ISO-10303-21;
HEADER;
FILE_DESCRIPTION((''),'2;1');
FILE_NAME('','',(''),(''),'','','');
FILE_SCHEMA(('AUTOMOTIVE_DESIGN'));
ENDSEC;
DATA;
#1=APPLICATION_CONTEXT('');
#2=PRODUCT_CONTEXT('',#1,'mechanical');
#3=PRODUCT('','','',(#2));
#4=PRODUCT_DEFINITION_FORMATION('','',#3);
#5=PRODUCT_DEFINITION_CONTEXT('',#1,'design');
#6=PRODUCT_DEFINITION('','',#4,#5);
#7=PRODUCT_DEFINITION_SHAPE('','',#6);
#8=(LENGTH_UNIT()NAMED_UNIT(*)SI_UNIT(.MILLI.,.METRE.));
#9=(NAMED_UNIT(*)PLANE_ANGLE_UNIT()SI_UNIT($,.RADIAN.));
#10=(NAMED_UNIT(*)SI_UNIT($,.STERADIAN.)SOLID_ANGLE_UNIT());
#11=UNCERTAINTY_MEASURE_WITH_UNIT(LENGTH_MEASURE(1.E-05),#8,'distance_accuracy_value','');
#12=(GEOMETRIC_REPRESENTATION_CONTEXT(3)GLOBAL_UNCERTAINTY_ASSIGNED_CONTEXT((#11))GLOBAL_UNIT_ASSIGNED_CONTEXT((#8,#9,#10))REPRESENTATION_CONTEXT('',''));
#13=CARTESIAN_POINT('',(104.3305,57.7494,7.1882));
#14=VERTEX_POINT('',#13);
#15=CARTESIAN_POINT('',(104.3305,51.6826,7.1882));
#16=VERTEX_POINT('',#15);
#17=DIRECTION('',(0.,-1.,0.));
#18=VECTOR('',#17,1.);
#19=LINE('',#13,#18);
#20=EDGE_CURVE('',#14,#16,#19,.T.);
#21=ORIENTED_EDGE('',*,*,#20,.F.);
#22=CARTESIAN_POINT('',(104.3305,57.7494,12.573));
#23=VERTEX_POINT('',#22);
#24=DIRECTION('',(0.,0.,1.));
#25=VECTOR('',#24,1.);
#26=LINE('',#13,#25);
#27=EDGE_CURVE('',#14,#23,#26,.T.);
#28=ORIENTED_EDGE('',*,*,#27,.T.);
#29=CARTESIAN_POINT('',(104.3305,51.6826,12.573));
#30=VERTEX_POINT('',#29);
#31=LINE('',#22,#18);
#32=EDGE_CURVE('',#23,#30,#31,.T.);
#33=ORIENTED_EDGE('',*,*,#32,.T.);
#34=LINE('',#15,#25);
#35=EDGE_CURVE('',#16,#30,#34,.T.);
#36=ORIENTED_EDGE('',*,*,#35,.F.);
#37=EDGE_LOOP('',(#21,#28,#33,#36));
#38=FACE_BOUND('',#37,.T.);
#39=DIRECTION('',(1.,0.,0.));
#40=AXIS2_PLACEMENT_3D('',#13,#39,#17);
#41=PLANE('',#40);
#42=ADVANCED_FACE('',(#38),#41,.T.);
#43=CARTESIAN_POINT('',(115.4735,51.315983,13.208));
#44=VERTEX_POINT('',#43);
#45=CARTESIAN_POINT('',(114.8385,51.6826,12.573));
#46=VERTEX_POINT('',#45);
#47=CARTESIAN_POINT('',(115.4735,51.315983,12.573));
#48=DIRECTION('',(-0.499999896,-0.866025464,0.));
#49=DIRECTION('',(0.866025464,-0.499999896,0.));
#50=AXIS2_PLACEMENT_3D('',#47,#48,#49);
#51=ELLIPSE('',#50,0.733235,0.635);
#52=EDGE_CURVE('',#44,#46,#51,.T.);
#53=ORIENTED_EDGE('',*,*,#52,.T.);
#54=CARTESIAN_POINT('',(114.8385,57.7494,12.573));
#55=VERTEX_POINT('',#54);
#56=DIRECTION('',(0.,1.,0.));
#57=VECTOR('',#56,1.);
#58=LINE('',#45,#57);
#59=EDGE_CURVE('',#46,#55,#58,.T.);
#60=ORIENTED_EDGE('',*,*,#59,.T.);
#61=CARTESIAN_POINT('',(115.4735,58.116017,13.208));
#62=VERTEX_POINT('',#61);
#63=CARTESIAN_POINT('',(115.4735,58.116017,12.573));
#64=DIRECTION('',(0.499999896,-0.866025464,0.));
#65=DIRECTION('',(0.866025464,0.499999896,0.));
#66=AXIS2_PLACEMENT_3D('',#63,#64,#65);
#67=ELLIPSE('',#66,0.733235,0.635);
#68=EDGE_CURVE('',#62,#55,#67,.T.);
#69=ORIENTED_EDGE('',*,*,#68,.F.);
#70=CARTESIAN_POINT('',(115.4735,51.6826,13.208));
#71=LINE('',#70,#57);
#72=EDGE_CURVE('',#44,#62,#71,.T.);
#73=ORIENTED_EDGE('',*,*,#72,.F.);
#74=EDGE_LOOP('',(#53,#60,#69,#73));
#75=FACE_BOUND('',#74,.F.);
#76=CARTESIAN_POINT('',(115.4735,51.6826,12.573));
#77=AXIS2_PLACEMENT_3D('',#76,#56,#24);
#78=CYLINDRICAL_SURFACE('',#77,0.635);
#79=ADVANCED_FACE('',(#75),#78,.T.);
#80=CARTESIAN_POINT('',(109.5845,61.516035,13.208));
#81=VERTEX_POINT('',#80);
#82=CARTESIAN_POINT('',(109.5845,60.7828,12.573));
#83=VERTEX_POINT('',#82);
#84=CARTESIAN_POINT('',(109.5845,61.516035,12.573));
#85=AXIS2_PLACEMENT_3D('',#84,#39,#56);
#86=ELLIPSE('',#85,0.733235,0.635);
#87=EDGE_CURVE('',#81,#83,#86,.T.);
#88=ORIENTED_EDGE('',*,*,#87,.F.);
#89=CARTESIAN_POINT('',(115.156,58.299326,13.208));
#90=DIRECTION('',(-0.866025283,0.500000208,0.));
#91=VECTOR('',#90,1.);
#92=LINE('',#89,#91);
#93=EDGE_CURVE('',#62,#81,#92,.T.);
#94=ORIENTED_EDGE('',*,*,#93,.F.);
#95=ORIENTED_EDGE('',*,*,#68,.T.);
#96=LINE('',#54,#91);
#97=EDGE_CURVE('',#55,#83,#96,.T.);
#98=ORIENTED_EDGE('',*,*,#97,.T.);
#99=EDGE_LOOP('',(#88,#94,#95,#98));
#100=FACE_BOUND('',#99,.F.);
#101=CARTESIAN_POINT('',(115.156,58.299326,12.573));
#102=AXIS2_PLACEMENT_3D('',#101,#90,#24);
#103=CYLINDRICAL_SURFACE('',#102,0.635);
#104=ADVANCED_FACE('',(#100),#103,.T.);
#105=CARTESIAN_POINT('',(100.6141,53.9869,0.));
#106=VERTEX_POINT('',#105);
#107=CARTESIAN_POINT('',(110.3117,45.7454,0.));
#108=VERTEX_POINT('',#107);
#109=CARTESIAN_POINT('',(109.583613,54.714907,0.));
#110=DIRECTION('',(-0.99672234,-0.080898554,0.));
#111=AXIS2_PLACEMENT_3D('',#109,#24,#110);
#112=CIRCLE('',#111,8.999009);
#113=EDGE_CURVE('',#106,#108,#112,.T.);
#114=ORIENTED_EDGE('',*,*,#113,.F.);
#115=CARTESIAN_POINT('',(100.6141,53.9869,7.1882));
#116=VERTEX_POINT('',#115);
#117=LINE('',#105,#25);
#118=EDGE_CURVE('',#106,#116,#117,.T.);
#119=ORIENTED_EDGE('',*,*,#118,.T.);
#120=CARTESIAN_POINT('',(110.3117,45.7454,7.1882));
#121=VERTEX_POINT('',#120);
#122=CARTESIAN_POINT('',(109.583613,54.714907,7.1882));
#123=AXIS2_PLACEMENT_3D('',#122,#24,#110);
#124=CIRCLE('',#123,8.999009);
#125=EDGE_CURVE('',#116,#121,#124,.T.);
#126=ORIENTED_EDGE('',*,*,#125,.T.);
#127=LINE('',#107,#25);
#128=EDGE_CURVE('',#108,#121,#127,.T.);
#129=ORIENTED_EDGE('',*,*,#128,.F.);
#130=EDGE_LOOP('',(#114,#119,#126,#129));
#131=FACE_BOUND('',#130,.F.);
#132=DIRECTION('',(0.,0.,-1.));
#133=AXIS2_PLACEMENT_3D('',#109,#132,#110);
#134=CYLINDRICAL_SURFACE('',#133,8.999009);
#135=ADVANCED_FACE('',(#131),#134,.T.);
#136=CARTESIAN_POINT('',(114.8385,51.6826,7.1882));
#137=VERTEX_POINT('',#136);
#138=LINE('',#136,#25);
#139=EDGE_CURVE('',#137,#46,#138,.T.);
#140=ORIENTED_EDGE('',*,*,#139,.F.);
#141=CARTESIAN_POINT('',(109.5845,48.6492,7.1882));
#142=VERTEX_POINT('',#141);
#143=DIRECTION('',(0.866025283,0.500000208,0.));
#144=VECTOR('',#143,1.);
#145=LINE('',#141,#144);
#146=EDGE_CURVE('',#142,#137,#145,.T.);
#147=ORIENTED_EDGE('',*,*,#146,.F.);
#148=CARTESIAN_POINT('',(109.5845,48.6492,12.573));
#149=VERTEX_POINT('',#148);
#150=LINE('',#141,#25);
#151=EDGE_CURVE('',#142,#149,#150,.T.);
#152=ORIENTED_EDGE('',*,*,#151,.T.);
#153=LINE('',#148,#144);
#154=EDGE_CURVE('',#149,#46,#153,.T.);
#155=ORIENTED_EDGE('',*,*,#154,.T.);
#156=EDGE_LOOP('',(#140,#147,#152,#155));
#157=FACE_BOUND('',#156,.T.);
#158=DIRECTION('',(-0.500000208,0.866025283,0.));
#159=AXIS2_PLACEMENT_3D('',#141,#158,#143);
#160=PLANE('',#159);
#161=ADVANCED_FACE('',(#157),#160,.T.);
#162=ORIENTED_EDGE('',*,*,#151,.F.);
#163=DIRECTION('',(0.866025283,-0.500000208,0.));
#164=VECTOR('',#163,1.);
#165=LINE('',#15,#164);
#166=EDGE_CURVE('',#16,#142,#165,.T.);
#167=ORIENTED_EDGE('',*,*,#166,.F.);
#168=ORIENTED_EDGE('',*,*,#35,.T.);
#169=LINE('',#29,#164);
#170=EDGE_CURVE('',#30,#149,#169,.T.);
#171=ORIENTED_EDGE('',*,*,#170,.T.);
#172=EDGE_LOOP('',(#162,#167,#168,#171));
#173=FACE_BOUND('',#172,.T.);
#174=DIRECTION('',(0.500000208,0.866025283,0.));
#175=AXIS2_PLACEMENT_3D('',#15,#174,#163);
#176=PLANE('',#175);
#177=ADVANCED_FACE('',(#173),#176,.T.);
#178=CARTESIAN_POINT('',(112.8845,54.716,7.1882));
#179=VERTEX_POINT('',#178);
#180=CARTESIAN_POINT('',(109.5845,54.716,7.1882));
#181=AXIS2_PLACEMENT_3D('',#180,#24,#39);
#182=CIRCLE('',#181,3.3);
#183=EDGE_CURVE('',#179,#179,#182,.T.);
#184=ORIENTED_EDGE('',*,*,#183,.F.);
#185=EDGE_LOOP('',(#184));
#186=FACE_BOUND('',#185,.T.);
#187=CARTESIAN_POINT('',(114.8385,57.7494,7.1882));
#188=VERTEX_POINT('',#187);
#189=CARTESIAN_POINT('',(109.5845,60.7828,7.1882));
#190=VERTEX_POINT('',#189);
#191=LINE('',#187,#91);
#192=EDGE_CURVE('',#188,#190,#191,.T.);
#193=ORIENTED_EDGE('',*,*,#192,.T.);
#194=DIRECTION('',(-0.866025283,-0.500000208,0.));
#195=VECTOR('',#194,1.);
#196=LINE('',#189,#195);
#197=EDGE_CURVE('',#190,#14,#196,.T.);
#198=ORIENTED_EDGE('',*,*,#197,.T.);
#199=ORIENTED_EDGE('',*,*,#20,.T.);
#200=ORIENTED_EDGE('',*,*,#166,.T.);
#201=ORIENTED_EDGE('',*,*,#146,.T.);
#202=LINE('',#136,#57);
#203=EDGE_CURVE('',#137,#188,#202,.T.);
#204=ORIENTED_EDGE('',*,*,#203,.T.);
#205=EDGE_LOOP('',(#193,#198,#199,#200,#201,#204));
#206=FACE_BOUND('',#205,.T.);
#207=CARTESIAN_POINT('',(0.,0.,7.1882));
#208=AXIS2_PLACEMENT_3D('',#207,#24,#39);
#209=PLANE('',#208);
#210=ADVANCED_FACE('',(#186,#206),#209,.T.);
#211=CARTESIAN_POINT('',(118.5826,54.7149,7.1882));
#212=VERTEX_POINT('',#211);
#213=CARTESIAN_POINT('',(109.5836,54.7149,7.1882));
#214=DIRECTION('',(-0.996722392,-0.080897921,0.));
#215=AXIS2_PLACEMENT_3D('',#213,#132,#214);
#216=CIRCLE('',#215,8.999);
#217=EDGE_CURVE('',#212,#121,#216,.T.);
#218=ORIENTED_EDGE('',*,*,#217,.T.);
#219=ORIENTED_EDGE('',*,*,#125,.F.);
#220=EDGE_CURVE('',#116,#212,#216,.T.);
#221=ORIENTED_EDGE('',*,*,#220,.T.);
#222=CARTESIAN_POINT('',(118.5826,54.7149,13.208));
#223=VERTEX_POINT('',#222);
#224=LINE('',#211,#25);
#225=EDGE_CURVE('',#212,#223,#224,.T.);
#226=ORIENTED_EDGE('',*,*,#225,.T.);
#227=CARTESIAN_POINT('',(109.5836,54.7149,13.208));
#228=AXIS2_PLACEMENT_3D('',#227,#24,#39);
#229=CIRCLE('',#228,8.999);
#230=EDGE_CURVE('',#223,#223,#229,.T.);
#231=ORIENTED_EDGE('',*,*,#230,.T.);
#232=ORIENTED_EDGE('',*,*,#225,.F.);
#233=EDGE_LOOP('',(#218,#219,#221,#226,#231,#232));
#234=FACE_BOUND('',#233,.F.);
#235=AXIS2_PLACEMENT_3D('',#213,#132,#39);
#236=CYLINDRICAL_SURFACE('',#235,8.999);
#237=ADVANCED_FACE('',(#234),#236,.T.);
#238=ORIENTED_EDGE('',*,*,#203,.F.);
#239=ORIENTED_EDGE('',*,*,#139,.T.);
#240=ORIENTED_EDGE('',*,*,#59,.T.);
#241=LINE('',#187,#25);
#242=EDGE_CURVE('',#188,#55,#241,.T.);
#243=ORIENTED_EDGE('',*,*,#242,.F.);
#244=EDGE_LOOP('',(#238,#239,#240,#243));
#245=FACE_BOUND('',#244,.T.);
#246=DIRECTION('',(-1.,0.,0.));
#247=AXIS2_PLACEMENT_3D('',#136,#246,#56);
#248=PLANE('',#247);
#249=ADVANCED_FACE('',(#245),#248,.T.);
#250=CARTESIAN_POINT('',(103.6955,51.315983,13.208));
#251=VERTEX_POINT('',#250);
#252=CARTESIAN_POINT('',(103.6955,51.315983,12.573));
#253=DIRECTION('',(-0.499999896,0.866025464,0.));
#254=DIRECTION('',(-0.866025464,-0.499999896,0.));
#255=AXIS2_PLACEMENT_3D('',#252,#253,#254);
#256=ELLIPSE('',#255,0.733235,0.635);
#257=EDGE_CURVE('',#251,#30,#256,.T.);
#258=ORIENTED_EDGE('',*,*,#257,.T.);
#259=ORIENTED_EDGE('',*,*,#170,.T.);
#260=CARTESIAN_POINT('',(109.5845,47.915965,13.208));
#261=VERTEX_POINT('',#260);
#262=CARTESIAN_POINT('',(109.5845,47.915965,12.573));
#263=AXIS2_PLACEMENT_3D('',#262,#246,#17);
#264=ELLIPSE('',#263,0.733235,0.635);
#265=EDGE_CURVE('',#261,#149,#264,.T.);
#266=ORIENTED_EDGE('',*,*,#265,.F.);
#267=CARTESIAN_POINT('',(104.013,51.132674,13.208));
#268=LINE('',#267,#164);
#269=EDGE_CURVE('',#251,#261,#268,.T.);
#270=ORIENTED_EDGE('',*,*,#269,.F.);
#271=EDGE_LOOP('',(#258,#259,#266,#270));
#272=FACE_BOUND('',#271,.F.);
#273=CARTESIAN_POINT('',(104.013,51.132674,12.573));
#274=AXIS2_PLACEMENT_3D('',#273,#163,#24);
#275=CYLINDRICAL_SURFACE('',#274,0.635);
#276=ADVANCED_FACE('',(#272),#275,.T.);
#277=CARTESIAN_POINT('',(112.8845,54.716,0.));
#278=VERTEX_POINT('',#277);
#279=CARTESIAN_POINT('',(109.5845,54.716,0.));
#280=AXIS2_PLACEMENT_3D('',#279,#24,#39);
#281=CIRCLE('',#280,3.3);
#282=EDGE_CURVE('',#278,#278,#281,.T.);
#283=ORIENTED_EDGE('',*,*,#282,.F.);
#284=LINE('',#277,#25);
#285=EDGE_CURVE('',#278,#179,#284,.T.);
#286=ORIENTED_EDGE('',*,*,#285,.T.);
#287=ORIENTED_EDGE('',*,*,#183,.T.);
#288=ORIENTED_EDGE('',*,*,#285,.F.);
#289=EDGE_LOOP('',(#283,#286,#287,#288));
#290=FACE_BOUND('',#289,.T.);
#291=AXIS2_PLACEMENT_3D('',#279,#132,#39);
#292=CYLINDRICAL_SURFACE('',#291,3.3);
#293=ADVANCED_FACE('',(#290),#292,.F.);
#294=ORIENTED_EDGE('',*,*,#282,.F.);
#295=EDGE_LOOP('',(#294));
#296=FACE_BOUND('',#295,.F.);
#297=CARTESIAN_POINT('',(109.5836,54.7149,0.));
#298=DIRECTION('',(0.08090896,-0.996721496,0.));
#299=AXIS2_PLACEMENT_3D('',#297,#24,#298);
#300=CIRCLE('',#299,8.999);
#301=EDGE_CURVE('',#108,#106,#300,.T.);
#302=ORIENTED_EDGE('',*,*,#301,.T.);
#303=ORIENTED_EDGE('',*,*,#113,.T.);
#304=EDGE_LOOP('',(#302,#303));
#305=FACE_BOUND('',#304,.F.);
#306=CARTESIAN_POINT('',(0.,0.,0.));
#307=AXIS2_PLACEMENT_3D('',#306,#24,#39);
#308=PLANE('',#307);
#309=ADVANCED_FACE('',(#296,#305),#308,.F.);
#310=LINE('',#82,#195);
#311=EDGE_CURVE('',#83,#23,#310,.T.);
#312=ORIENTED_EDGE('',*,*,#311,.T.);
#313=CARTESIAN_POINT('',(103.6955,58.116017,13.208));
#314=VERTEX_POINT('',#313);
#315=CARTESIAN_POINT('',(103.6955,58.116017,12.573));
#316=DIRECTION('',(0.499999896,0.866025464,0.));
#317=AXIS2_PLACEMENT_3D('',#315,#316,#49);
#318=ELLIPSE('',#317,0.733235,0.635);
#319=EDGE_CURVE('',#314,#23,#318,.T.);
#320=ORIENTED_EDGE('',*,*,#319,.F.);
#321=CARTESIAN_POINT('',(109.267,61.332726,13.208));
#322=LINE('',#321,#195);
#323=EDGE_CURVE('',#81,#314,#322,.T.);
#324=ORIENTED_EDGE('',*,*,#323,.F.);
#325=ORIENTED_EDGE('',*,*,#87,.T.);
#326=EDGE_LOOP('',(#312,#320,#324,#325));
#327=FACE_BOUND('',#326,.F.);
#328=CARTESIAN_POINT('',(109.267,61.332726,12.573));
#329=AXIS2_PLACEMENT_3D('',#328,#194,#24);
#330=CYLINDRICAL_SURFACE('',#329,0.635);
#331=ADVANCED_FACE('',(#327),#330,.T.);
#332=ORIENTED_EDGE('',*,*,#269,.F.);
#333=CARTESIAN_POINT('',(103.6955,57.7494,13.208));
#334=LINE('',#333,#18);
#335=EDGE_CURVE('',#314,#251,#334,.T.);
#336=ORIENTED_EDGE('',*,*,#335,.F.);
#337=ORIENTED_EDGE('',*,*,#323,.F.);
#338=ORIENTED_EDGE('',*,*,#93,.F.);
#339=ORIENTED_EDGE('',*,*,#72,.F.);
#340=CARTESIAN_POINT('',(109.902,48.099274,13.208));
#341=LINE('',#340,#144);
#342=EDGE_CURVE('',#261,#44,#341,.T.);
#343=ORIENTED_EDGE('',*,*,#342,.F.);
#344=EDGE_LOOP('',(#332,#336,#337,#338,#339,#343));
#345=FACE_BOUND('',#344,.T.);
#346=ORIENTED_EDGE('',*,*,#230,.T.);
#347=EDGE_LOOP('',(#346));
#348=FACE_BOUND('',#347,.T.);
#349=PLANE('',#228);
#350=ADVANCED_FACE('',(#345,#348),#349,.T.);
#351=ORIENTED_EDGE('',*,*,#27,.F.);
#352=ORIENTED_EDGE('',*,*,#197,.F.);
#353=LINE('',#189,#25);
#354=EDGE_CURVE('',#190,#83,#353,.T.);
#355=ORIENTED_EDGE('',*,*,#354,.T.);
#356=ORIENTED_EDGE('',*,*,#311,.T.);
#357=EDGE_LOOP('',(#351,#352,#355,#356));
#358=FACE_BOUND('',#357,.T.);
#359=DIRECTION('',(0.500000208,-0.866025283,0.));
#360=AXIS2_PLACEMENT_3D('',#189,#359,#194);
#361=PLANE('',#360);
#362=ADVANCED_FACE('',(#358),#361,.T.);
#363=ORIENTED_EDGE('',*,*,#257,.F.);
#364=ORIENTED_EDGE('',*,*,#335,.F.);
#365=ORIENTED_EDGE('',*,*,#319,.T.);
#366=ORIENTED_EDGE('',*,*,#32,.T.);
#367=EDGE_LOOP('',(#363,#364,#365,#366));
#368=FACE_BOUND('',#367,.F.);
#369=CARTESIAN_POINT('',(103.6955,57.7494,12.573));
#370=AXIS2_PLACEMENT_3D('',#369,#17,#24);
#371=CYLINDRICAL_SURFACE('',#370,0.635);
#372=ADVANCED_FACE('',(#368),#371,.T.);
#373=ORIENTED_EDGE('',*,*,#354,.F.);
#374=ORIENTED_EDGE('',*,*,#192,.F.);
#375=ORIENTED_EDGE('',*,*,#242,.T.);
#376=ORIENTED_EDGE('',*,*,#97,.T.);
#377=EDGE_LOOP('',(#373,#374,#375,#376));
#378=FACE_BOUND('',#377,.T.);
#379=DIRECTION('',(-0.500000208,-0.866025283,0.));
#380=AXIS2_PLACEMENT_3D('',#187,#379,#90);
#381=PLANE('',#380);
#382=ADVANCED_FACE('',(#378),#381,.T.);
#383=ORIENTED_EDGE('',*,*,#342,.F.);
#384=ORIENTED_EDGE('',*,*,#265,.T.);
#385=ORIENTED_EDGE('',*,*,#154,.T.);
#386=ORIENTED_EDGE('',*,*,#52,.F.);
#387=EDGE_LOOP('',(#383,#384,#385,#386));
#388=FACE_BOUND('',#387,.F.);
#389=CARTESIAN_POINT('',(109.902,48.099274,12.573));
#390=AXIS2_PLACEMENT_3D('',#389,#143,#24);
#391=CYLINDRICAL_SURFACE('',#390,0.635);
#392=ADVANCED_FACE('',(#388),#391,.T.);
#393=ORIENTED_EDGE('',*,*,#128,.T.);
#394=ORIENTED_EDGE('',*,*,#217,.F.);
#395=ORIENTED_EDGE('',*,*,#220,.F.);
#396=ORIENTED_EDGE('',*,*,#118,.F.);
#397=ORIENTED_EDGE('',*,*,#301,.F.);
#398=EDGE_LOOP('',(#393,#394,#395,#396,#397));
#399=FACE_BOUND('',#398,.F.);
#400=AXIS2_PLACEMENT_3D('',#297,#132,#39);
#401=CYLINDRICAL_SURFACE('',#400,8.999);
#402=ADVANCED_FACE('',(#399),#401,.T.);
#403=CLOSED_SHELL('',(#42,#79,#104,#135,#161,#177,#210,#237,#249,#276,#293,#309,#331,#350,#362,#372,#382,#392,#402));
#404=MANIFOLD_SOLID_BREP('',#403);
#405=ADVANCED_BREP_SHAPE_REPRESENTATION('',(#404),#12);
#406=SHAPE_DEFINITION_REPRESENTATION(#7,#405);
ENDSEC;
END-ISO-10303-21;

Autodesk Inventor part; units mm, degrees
ref_plane "YZ Plane" through (0, 0, 0) normal (1, 0, 0) x (0, 1, 0)
ref_plane "XZ Plane" through (0, 0, 0) normal (0, 1, 0) x (-1, 0, 0)
ref_plane "XY Plane" through (0, 0, 0) normal (0, 0, 1) x (1, 0, 0)
sketch "Sketch1" plane through (0, 0, 0) normal (0, 0, 1) x (1, 0, 0)
  circle A0 centre (109.5845, 54.716) radius 3.175 construction
  line L0 (765.556, 95.25) -> (765.556, -44.45) construction
  line L1 (0, 95.25) -> (765.556, 95.25) construction
  line L2 (0, -44.45) -> (0, 95.25) construction
  line L3 (765.556, -44.45) -> (0, -44.45) construction
  arc A1 (100.6141, 53.9869) -> (110.3117, 45.7454) centre (109.5836, 54.7149) ccw projected
  line L4 (123.1622, 19.6987) -> (119.3655, 66.4721) projected
  circle A2 centre (109.5836, 54.7149) radius 8.999
  circle A3 centre (109.5845, 54.716) radius 6 projected
  circle A4 centre (109.5845, 54.716) radius 6.254
  circle A5 centre (109.5845, 54.716) radius 3.3
  point P0 (0, 0)
  dimension "d0" = 0.254
  dimension "d1" = 6.6
extrude "Extrusion1" add sketch "Sketch1" along normal blind 7.1882 contours A2 A1 | A3 | A4
sketch "Sketch2" plane through (109.5836, 54.7149, 7.1882) normal (0, 0, 1) x (1, 0, 0)
  circle A0 centre (0.0009, 0.0011) radius 3.3 projected
  line L0 (-4.9991, 2.8878) -> (0.0009, 5.7746)
  line L1 (0.0009, 5.7746) -> (5.0009, 2.8878)
  line L2 (5.0009, 2.8878) -> (5.0009, -2.8857)
  line L3 (5.0009, -2.8857) -> (0.0009, -5.7724)
  line L4 (0.0009, -5.7724) -> (-4.9991, -2.8857)
  line L5 (-4.9991, -2.8857) -> (-4.9991, 2.8878)
  line L6 (0.0009, 6.0679) -> (-5.2531, 3.0345)
  line L7 (-5.2531, 3.0345) -> (-5.2531, -3.0323)
  line L8 (-5.2531, -3.0323) -> (0.0009, -6.0657)
  line L9 (0.0009, -6.0657) -> (5.2549, -3.0323)
  line L10 (5.2549, -3.0323) -> (5.2549, 3.0345)
  line L11 (5.2549, 3.0345) -> (0.0009, 6.0679)
  circle A1 centre (0, 0) radius 8.999 projected
  point P0 (-109.5836, -54.7149)
  point P1 (-4.9991, -2.8857)
  dimension "d4" = 0.254
extrude "Extrusion2" add sketch "Sketch2" along normal blind 6.0198 contours A1
fillet "Fillet1" radius 0.635 6 edges at (104.3305, 54.716, 13.208) (106.9575, 50.1659, 13.208) (112.2115, 50.1659, 13.208) (114.8385, 54.716, 13.208) (112.2115, 59.2661, 13.208) (106.9575, 59.2661, 13.208)
properties part number "ActuatorSpacer"
